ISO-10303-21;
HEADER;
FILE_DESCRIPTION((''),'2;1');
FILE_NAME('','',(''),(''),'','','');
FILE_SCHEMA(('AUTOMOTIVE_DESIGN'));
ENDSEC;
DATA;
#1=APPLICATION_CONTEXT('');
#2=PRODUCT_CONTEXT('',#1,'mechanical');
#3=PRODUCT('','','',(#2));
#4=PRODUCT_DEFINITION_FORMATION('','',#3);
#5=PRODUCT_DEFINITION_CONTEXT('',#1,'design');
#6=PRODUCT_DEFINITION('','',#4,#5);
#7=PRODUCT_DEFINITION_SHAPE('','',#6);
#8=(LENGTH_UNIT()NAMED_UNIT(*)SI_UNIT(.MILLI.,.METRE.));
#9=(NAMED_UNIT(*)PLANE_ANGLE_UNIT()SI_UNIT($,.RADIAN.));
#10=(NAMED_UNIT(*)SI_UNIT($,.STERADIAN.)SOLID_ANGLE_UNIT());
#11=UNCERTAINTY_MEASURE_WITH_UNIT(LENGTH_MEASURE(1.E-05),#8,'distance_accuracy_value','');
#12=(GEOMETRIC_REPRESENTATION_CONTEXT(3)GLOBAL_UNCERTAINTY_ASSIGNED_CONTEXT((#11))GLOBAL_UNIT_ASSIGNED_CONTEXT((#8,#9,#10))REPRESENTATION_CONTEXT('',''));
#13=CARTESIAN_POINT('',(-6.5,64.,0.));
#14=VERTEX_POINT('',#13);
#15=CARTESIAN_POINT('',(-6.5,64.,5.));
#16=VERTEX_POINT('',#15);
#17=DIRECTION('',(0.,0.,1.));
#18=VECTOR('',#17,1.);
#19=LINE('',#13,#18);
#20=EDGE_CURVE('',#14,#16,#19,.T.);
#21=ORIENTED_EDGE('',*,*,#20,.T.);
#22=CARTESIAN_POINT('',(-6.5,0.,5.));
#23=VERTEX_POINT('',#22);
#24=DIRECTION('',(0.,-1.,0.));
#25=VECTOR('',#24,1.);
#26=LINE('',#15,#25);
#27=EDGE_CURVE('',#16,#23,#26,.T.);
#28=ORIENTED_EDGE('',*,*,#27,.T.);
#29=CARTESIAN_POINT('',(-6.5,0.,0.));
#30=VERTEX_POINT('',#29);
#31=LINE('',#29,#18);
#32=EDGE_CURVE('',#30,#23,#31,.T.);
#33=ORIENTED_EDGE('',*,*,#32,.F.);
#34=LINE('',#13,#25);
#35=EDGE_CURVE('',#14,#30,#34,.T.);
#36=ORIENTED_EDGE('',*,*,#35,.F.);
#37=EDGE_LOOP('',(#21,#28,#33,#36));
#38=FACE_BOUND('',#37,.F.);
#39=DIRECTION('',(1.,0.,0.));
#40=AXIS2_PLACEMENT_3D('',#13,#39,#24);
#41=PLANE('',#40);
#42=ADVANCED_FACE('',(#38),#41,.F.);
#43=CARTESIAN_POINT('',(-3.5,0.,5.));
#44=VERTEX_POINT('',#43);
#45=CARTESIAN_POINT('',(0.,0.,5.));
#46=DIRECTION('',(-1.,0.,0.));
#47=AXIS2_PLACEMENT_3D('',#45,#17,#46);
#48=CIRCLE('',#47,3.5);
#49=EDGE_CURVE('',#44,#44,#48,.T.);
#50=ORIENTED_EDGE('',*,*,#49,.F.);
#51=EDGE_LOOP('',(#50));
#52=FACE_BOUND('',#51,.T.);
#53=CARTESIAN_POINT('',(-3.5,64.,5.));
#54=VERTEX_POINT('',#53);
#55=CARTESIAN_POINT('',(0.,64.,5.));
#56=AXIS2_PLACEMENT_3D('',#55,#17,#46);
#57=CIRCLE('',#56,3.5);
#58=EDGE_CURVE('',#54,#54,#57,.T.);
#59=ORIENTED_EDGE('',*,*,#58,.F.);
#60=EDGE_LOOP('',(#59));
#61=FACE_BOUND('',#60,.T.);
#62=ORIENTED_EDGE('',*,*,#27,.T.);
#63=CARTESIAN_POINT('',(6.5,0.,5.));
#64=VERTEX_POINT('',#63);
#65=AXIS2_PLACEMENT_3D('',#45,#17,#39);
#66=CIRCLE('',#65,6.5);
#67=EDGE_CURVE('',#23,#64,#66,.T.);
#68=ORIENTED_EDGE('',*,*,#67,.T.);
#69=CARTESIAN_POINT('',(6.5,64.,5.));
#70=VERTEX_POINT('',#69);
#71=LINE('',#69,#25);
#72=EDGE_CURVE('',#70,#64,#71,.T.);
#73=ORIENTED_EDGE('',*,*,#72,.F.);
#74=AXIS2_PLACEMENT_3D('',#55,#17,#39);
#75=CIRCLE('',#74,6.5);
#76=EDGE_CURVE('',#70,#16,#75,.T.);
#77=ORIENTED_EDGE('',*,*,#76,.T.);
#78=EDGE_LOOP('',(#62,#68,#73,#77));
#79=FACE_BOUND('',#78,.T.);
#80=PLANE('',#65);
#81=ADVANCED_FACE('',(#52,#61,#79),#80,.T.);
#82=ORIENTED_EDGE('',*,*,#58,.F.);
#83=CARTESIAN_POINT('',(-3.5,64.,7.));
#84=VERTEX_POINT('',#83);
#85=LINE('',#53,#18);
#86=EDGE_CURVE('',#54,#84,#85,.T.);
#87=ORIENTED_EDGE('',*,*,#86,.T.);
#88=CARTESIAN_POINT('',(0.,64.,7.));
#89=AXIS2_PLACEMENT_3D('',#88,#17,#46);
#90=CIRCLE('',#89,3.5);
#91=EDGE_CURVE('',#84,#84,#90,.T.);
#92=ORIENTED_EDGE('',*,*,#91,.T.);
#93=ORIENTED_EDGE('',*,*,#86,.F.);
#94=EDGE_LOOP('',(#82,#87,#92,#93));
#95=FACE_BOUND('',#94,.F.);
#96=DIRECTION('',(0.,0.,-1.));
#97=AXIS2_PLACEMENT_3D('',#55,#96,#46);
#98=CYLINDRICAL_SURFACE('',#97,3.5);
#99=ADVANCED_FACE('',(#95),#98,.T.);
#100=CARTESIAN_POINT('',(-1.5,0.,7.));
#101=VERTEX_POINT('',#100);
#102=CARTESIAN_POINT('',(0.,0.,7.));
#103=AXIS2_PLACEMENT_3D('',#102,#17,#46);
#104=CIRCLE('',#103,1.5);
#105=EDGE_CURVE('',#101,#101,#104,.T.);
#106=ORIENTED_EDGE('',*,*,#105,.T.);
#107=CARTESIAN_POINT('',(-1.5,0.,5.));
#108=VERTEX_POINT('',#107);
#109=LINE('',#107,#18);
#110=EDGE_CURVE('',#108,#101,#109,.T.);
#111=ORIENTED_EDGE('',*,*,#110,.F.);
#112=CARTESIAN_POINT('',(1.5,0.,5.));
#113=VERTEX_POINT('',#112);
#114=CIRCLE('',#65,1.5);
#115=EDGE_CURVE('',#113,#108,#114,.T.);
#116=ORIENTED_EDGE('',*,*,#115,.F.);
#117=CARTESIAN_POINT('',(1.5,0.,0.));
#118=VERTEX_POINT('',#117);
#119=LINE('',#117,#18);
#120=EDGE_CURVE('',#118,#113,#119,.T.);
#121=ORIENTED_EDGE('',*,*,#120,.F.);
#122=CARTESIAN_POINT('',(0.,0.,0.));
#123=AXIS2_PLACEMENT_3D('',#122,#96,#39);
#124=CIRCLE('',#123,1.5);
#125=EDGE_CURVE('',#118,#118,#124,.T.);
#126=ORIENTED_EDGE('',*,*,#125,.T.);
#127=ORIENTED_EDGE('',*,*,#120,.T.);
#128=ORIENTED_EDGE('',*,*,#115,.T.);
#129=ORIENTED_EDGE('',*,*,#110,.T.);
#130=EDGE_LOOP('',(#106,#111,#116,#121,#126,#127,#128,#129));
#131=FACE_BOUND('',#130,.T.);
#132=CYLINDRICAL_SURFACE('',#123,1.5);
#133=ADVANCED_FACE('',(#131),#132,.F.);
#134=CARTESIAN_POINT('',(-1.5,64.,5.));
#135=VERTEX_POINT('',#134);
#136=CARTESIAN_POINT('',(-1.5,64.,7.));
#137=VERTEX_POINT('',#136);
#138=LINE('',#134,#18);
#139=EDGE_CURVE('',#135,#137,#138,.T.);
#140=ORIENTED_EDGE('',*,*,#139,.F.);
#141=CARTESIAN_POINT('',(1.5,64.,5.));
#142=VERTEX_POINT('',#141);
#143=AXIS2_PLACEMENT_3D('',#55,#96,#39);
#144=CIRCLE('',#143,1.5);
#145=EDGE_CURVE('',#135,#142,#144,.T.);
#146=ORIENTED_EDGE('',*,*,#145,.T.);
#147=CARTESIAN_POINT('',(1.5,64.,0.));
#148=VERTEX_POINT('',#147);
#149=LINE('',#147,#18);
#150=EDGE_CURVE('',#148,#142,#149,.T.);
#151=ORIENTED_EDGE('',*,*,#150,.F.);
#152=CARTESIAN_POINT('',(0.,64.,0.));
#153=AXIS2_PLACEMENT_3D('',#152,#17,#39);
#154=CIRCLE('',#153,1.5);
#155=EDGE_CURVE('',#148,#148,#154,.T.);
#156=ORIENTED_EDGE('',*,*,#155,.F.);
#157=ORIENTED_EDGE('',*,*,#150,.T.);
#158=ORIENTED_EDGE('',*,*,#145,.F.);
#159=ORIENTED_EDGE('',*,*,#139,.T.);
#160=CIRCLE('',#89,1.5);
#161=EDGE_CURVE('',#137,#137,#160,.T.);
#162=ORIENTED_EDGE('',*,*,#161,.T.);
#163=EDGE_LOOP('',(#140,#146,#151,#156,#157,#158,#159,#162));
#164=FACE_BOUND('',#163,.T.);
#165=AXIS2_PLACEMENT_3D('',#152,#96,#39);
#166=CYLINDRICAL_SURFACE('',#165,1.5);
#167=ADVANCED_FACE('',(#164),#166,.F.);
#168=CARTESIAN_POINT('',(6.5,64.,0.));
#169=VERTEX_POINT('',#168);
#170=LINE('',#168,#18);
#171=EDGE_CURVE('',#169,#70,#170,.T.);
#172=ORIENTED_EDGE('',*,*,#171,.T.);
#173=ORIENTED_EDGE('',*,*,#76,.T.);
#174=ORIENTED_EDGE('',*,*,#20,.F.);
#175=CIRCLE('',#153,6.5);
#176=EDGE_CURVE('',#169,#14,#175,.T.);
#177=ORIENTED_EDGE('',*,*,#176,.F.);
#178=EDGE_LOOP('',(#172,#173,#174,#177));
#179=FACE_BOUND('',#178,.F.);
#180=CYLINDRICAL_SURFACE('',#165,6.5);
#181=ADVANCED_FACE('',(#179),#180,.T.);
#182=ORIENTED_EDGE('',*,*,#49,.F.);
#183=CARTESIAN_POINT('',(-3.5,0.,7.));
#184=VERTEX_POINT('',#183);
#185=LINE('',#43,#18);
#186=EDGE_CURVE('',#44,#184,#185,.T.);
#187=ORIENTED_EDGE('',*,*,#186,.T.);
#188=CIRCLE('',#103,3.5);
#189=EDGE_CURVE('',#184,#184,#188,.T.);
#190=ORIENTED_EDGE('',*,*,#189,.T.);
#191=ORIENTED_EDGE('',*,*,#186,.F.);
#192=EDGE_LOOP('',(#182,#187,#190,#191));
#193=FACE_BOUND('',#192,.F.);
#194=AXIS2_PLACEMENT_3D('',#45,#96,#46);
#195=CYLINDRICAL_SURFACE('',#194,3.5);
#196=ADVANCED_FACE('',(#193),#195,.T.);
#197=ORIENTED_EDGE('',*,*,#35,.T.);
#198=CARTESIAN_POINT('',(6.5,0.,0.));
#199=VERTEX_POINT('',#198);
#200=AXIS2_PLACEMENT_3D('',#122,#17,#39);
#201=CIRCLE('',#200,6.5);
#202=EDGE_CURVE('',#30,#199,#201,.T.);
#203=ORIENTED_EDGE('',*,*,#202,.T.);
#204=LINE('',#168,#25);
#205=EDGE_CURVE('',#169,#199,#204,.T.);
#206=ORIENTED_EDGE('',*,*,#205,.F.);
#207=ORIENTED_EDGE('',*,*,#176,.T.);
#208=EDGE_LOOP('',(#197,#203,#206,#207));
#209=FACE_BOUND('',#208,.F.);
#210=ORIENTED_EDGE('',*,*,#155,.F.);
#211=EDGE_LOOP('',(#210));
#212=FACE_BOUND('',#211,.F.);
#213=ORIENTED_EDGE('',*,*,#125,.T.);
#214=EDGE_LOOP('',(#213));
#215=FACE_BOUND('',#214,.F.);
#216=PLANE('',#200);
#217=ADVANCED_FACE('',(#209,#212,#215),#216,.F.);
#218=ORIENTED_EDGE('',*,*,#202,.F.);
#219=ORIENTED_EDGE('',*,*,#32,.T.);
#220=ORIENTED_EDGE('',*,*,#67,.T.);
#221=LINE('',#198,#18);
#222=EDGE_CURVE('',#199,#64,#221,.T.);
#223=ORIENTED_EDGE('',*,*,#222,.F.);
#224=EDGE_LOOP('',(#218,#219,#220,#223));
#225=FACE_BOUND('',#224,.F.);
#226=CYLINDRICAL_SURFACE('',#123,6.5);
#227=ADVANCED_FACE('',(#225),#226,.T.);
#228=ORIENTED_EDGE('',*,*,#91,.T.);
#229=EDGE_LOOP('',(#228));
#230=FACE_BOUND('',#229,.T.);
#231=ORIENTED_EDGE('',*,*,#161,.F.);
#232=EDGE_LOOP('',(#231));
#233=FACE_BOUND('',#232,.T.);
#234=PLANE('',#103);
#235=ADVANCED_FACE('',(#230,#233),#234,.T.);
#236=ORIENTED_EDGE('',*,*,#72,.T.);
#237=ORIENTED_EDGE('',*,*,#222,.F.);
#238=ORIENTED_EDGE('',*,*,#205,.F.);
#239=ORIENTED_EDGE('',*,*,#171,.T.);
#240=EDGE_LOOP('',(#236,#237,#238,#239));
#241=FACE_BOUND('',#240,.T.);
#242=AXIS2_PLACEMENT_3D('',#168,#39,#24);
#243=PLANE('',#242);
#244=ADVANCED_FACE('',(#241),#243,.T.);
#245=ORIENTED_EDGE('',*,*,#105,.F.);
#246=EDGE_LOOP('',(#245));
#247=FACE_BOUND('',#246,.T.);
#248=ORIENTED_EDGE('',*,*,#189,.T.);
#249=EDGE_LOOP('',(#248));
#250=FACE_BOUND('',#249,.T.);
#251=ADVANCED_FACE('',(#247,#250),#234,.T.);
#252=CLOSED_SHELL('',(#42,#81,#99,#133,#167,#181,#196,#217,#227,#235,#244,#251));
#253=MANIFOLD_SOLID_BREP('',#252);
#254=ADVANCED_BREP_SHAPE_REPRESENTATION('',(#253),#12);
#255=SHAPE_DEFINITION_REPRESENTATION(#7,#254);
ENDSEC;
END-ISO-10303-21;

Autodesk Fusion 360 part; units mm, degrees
sketch "Esquisse1" plane through (0, 0, 0) normal (0, 0, 1) x (1, 0, 0)
  circle A0 centre (0, 0) radius 6.5
  circle A1 centre (0, 64) radius 6.5
  line L0 (0, 64) -> (0, 0)
  line L1 (0, 64) -> (6.5, 64)
  line L2 (0, 64) -> (-6.5, 64)
  line L3 (0, 0) -> (6.5, 0)
  line L4 (0, 0) -> (-6.5, 0)
  line L5 (6.5, 64) -> (6.5, 0)
  line L6 (-6.5, 64) -> (-6.5, 0)
  circle A2 centre (0, 64) radius 1.5
  circle A3 centre (0, 0) radius 1.5
  dimension "d1" = 13
  dimension "d2" = 13
  dimension "d3" = 64
  dimension "d4" = 3
  dimension "d5" = 3
extrude "Extrusion1" add sketch "Esquisse1" along normal blind 5 contours A0 L3 L4 A3 | A0 A1 L0 L6 | A0 L0 L4 A3 | A0 L0 L3 A3 | A0 A1 L0 L5 | A1 L0 L2 A2 | A1 L1 L2 A2 | A1 L0 L1 A2
sketch "Esquisse2" plane through (0, 0, 5) normal (0, 0, 1) x (-1, 0, 0)
  circle A0 centre (0, 0) radius 1.5
  circle A1 centre (0, -64) radius 1.5
  arc A2 (-6.5, -64) -> (6.5, -64) centre (0, -64) ccw
  line L0 (6.5, -64) -> (6.5, 0)
  arc A3 (6.5, 0) -> (-6.5, 0) centre (0, 0) ccw
  line L1 (-6.5, 0) -> (-6.5, -64)
  circle A4 centre (0, -64) radius 3.5
  circle A5 centre (0, -64) radius 1.5
  circle A6 centre (0, 0) radius 1.5
  circle A7 centre (0, 0) radius 3.5
  dimension "d8" = 3
  dimension "d9" = 7
  dimension "d10" = 3
  dimension "d11" = 7
extrude "Extrusion2" add sketch "Esquisse2" along normal blind 2 contours A4 | A7
